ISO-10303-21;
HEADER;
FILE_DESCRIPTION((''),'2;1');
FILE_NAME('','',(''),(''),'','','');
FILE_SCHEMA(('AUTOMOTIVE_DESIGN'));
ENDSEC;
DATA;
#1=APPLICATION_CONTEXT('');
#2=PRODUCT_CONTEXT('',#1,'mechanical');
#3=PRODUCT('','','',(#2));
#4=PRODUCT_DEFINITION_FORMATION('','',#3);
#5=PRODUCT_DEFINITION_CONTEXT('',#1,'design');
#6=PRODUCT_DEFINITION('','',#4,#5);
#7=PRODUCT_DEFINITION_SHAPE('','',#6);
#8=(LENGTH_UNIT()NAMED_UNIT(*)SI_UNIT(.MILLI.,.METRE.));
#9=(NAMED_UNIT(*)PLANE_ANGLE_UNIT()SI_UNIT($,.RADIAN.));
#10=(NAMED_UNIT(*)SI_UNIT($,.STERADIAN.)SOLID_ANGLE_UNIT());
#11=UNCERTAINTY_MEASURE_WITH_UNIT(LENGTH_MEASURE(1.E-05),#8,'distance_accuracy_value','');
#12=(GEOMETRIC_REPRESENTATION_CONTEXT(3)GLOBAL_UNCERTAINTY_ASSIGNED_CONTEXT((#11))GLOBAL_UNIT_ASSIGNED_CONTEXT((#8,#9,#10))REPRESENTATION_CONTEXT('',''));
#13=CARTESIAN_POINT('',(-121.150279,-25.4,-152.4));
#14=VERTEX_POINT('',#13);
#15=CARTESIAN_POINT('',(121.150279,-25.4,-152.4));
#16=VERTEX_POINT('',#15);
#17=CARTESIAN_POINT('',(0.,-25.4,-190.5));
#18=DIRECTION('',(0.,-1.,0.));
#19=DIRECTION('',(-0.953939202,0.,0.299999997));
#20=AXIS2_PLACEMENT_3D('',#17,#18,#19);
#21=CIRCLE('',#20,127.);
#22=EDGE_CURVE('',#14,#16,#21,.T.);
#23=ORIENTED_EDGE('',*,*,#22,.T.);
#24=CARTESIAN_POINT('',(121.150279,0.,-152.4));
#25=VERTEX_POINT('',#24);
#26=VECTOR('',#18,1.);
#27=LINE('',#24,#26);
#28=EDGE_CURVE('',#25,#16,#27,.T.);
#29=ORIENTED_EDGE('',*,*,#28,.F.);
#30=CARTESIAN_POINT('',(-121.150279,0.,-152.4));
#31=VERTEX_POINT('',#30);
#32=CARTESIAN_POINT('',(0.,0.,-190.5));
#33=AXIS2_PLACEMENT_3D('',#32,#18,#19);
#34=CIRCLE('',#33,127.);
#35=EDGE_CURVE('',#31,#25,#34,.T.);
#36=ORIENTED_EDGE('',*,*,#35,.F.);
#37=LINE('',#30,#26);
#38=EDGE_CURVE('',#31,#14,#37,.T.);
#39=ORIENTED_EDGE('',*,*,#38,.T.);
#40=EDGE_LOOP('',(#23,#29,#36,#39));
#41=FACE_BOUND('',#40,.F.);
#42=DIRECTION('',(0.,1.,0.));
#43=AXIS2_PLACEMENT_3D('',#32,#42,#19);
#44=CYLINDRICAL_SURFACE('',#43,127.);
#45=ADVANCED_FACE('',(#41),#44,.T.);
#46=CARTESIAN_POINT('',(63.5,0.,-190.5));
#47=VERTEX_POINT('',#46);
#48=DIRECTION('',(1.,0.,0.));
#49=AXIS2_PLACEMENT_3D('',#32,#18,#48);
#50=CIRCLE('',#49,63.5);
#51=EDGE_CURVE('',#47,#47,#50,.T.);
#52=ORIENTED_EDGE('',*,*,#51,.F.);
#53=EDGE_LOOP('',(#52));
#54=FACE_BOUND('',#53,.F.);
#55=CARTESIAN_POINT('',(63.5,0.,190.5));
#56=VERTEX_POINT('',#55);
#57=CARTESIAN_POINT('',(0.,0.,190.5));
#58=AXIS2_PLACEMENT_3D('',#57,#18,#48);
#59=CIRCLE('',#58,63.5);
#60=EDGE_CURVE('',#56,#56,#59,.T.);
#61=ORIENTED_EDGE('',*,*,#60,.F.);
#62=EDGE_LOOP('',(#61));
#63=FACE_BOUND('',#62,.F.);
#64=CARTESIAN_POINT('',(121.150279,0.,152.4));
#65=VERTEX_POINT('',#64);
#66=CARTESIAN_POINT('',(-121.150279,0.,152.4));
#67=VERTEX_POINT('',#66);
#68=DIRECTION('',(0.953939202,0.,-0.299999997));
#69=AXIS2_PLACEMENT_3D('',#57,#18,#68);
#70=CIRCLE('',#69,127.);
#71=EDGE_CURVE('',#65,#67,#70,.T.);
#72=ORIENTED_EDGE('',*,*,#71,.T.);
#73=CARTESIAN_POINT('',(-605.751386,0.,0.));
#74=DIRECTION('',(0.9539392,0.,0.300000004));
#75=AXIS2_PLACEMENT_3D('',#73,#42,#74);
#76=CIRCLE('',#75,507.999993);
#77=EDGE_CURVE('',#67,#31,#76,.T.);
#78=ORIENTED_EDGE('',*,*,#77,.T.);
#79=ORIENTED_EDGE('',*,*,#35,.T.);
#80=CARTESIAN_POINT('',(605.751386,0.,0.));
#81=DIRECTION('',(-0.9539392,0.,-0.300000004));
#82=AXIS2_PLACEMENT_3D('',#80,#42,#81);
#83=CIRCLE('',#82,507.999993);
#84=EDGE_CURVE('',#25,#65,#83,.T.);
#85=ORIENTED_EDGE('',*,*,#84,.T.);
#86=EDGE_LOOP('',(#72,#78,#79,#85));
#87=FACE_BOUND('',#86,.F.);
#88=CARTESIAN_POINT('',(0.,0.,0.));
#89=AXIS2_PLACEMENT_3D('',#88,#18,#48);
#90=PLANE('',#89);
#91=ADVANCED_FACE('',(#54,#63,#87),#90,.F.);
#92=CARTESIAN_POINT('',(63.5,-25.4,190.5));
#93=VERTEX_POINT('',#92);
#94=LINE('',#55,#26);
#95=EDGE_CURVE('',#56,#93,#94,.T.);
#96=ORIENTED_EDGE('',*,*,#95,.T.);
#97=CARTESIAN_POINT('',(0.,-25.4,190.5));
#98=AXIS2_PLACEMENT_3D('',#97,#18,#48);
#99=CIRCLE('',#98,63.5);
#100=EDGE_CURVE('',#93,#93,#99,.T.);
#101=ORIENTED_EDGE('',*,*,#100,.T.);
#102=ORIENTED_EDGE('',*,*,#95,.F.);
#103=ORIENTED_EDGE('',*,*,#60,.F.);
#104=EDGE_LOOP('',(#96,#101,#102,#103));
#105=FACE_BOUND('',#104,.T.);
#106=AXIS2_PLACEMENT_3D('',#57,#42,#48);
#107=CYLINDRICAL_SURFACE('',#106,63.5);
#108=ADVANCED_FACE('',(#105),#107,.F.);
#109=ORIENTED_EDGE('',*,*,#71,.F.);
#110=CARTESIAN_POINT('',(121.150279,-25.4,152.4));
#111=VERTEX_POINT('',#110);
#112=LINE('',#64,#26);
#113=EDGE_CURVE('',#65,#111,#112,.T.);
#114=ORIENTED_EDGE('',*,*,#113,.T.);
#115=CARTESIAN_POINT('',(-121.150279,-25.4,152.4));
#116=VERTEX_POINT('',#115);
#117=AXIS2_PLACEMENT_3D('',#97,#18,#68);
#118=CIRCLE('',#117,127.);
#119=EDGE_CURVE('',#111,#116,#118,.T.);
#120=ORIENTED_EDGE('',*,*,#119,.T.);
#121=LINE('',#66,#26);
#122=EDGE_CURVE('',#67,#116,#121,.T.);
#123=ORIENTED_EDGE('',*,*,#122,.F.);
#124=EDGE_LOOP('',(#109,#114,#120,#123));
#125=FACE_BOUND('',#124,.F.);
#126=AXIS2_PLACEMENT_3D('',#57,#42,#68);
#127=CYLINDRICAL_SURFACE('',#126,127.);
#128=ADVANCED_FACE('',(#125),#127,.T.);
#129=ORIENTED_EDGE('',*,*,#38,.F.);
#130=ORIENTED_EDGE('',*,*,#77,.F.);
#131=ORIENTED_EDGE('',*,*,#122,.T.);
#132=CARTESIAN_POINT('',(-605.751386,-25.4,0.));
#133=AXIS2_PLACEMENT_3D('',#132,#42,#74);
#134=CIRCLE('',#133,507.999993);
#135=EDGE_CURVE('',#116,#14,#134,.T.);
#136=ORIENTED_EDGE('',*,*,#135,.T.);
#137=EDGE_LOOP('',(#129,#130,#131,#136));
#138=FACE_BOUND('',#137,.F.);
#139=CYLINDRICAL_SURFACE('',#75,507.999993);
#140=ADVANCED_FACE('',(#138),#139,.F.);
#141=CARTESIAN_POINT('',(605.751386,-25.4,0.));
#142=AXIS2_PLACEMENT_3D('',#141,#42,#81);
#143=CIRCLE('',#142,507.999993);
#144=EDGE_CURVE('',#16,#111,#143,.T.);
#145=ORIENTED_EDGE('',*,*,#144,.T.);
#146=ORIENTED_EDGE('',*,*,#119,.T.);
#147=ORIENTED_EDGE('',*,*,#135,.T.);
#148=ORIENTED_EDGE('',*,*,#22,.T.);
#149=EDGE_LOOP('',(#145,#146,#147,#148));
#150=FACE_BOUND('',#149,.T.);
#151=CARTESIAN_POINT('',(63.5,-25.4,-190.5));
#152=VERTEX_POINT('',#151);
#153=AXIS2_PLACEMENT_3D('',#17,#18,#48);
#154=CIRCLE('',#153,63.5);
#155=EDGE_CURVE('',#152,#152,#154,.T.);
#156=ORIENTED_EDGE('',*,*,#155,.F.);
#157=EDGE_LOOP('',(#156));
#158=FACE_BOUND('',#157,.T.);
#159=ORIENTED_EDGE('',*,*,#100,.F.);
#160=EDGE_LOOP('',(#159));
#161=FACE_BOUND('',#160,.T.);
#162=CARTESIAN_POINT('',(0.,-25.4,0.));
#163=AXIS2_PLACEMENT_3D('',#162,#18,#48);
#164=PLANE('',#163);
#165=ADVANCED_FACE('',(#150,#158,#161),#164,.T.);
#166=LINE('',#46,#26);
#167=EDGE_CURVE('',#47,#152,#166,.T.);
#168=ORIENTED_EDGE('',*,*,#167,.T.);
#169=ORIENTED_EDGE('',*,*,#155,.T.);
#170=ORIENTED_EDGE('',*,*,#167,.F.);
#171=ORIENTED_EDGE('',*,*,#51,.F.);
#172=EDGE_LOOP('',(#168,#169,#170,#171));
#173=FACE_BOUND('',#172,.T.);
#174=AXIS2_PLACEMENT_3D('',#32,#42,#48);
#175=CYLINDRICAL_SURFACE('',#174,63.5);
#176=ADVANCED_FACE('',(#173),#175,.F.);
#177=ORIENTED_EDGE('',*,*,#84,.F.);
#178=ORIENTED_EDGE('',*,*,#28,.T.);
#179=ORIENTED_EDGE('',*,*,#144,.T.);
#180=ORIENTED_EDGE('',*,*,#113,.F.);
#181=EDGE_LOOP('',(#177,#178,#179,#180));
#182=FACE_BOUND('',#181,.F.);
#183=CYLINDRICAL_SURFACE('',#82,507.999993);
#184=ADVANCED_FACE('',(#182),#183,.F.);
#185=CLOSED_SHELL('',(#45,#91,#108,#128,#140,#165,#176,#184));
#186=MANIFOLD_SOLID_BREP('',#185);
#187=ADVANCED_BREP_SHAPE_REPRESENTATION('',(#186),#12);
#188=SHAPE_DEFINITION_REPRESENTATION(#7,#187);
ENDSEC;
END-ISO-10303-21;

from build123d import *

# Parameters (mm, degrees)
F0_R     = 63.5
F1_DEPTH = 25.4


with BuildPart() as f1:
    # F0 (on Front) → F1 (new body)
    with BuildSketch(Plane.XZ):
        with BuildLine():
            ThreePointArc((121.150279, -152.4), (97.751393, 0), (121.150279, 152.4))
            ThreePointArc((121.150279, 152.4), (0, 317.5), (-121.150279, 152.4))
            ThreePointArc((-121.150279, 152.4), (-97.751393, 0), (-121.150279, -152.4))
            ThreePointArc((-121.150279, -152.4), (0, -317.5), (121.150279, -152.4))
        make_face()
        with Locations((0, -190.5)):
            Circle(F0_R, mode=Mode.SUBTRACT)
        with Locations((0, 190.5)):
            Circle(F0_R, mode=Mode.SUBTRACT)
    extrude(amount=F1_DEPTH)


solid = f1.part
